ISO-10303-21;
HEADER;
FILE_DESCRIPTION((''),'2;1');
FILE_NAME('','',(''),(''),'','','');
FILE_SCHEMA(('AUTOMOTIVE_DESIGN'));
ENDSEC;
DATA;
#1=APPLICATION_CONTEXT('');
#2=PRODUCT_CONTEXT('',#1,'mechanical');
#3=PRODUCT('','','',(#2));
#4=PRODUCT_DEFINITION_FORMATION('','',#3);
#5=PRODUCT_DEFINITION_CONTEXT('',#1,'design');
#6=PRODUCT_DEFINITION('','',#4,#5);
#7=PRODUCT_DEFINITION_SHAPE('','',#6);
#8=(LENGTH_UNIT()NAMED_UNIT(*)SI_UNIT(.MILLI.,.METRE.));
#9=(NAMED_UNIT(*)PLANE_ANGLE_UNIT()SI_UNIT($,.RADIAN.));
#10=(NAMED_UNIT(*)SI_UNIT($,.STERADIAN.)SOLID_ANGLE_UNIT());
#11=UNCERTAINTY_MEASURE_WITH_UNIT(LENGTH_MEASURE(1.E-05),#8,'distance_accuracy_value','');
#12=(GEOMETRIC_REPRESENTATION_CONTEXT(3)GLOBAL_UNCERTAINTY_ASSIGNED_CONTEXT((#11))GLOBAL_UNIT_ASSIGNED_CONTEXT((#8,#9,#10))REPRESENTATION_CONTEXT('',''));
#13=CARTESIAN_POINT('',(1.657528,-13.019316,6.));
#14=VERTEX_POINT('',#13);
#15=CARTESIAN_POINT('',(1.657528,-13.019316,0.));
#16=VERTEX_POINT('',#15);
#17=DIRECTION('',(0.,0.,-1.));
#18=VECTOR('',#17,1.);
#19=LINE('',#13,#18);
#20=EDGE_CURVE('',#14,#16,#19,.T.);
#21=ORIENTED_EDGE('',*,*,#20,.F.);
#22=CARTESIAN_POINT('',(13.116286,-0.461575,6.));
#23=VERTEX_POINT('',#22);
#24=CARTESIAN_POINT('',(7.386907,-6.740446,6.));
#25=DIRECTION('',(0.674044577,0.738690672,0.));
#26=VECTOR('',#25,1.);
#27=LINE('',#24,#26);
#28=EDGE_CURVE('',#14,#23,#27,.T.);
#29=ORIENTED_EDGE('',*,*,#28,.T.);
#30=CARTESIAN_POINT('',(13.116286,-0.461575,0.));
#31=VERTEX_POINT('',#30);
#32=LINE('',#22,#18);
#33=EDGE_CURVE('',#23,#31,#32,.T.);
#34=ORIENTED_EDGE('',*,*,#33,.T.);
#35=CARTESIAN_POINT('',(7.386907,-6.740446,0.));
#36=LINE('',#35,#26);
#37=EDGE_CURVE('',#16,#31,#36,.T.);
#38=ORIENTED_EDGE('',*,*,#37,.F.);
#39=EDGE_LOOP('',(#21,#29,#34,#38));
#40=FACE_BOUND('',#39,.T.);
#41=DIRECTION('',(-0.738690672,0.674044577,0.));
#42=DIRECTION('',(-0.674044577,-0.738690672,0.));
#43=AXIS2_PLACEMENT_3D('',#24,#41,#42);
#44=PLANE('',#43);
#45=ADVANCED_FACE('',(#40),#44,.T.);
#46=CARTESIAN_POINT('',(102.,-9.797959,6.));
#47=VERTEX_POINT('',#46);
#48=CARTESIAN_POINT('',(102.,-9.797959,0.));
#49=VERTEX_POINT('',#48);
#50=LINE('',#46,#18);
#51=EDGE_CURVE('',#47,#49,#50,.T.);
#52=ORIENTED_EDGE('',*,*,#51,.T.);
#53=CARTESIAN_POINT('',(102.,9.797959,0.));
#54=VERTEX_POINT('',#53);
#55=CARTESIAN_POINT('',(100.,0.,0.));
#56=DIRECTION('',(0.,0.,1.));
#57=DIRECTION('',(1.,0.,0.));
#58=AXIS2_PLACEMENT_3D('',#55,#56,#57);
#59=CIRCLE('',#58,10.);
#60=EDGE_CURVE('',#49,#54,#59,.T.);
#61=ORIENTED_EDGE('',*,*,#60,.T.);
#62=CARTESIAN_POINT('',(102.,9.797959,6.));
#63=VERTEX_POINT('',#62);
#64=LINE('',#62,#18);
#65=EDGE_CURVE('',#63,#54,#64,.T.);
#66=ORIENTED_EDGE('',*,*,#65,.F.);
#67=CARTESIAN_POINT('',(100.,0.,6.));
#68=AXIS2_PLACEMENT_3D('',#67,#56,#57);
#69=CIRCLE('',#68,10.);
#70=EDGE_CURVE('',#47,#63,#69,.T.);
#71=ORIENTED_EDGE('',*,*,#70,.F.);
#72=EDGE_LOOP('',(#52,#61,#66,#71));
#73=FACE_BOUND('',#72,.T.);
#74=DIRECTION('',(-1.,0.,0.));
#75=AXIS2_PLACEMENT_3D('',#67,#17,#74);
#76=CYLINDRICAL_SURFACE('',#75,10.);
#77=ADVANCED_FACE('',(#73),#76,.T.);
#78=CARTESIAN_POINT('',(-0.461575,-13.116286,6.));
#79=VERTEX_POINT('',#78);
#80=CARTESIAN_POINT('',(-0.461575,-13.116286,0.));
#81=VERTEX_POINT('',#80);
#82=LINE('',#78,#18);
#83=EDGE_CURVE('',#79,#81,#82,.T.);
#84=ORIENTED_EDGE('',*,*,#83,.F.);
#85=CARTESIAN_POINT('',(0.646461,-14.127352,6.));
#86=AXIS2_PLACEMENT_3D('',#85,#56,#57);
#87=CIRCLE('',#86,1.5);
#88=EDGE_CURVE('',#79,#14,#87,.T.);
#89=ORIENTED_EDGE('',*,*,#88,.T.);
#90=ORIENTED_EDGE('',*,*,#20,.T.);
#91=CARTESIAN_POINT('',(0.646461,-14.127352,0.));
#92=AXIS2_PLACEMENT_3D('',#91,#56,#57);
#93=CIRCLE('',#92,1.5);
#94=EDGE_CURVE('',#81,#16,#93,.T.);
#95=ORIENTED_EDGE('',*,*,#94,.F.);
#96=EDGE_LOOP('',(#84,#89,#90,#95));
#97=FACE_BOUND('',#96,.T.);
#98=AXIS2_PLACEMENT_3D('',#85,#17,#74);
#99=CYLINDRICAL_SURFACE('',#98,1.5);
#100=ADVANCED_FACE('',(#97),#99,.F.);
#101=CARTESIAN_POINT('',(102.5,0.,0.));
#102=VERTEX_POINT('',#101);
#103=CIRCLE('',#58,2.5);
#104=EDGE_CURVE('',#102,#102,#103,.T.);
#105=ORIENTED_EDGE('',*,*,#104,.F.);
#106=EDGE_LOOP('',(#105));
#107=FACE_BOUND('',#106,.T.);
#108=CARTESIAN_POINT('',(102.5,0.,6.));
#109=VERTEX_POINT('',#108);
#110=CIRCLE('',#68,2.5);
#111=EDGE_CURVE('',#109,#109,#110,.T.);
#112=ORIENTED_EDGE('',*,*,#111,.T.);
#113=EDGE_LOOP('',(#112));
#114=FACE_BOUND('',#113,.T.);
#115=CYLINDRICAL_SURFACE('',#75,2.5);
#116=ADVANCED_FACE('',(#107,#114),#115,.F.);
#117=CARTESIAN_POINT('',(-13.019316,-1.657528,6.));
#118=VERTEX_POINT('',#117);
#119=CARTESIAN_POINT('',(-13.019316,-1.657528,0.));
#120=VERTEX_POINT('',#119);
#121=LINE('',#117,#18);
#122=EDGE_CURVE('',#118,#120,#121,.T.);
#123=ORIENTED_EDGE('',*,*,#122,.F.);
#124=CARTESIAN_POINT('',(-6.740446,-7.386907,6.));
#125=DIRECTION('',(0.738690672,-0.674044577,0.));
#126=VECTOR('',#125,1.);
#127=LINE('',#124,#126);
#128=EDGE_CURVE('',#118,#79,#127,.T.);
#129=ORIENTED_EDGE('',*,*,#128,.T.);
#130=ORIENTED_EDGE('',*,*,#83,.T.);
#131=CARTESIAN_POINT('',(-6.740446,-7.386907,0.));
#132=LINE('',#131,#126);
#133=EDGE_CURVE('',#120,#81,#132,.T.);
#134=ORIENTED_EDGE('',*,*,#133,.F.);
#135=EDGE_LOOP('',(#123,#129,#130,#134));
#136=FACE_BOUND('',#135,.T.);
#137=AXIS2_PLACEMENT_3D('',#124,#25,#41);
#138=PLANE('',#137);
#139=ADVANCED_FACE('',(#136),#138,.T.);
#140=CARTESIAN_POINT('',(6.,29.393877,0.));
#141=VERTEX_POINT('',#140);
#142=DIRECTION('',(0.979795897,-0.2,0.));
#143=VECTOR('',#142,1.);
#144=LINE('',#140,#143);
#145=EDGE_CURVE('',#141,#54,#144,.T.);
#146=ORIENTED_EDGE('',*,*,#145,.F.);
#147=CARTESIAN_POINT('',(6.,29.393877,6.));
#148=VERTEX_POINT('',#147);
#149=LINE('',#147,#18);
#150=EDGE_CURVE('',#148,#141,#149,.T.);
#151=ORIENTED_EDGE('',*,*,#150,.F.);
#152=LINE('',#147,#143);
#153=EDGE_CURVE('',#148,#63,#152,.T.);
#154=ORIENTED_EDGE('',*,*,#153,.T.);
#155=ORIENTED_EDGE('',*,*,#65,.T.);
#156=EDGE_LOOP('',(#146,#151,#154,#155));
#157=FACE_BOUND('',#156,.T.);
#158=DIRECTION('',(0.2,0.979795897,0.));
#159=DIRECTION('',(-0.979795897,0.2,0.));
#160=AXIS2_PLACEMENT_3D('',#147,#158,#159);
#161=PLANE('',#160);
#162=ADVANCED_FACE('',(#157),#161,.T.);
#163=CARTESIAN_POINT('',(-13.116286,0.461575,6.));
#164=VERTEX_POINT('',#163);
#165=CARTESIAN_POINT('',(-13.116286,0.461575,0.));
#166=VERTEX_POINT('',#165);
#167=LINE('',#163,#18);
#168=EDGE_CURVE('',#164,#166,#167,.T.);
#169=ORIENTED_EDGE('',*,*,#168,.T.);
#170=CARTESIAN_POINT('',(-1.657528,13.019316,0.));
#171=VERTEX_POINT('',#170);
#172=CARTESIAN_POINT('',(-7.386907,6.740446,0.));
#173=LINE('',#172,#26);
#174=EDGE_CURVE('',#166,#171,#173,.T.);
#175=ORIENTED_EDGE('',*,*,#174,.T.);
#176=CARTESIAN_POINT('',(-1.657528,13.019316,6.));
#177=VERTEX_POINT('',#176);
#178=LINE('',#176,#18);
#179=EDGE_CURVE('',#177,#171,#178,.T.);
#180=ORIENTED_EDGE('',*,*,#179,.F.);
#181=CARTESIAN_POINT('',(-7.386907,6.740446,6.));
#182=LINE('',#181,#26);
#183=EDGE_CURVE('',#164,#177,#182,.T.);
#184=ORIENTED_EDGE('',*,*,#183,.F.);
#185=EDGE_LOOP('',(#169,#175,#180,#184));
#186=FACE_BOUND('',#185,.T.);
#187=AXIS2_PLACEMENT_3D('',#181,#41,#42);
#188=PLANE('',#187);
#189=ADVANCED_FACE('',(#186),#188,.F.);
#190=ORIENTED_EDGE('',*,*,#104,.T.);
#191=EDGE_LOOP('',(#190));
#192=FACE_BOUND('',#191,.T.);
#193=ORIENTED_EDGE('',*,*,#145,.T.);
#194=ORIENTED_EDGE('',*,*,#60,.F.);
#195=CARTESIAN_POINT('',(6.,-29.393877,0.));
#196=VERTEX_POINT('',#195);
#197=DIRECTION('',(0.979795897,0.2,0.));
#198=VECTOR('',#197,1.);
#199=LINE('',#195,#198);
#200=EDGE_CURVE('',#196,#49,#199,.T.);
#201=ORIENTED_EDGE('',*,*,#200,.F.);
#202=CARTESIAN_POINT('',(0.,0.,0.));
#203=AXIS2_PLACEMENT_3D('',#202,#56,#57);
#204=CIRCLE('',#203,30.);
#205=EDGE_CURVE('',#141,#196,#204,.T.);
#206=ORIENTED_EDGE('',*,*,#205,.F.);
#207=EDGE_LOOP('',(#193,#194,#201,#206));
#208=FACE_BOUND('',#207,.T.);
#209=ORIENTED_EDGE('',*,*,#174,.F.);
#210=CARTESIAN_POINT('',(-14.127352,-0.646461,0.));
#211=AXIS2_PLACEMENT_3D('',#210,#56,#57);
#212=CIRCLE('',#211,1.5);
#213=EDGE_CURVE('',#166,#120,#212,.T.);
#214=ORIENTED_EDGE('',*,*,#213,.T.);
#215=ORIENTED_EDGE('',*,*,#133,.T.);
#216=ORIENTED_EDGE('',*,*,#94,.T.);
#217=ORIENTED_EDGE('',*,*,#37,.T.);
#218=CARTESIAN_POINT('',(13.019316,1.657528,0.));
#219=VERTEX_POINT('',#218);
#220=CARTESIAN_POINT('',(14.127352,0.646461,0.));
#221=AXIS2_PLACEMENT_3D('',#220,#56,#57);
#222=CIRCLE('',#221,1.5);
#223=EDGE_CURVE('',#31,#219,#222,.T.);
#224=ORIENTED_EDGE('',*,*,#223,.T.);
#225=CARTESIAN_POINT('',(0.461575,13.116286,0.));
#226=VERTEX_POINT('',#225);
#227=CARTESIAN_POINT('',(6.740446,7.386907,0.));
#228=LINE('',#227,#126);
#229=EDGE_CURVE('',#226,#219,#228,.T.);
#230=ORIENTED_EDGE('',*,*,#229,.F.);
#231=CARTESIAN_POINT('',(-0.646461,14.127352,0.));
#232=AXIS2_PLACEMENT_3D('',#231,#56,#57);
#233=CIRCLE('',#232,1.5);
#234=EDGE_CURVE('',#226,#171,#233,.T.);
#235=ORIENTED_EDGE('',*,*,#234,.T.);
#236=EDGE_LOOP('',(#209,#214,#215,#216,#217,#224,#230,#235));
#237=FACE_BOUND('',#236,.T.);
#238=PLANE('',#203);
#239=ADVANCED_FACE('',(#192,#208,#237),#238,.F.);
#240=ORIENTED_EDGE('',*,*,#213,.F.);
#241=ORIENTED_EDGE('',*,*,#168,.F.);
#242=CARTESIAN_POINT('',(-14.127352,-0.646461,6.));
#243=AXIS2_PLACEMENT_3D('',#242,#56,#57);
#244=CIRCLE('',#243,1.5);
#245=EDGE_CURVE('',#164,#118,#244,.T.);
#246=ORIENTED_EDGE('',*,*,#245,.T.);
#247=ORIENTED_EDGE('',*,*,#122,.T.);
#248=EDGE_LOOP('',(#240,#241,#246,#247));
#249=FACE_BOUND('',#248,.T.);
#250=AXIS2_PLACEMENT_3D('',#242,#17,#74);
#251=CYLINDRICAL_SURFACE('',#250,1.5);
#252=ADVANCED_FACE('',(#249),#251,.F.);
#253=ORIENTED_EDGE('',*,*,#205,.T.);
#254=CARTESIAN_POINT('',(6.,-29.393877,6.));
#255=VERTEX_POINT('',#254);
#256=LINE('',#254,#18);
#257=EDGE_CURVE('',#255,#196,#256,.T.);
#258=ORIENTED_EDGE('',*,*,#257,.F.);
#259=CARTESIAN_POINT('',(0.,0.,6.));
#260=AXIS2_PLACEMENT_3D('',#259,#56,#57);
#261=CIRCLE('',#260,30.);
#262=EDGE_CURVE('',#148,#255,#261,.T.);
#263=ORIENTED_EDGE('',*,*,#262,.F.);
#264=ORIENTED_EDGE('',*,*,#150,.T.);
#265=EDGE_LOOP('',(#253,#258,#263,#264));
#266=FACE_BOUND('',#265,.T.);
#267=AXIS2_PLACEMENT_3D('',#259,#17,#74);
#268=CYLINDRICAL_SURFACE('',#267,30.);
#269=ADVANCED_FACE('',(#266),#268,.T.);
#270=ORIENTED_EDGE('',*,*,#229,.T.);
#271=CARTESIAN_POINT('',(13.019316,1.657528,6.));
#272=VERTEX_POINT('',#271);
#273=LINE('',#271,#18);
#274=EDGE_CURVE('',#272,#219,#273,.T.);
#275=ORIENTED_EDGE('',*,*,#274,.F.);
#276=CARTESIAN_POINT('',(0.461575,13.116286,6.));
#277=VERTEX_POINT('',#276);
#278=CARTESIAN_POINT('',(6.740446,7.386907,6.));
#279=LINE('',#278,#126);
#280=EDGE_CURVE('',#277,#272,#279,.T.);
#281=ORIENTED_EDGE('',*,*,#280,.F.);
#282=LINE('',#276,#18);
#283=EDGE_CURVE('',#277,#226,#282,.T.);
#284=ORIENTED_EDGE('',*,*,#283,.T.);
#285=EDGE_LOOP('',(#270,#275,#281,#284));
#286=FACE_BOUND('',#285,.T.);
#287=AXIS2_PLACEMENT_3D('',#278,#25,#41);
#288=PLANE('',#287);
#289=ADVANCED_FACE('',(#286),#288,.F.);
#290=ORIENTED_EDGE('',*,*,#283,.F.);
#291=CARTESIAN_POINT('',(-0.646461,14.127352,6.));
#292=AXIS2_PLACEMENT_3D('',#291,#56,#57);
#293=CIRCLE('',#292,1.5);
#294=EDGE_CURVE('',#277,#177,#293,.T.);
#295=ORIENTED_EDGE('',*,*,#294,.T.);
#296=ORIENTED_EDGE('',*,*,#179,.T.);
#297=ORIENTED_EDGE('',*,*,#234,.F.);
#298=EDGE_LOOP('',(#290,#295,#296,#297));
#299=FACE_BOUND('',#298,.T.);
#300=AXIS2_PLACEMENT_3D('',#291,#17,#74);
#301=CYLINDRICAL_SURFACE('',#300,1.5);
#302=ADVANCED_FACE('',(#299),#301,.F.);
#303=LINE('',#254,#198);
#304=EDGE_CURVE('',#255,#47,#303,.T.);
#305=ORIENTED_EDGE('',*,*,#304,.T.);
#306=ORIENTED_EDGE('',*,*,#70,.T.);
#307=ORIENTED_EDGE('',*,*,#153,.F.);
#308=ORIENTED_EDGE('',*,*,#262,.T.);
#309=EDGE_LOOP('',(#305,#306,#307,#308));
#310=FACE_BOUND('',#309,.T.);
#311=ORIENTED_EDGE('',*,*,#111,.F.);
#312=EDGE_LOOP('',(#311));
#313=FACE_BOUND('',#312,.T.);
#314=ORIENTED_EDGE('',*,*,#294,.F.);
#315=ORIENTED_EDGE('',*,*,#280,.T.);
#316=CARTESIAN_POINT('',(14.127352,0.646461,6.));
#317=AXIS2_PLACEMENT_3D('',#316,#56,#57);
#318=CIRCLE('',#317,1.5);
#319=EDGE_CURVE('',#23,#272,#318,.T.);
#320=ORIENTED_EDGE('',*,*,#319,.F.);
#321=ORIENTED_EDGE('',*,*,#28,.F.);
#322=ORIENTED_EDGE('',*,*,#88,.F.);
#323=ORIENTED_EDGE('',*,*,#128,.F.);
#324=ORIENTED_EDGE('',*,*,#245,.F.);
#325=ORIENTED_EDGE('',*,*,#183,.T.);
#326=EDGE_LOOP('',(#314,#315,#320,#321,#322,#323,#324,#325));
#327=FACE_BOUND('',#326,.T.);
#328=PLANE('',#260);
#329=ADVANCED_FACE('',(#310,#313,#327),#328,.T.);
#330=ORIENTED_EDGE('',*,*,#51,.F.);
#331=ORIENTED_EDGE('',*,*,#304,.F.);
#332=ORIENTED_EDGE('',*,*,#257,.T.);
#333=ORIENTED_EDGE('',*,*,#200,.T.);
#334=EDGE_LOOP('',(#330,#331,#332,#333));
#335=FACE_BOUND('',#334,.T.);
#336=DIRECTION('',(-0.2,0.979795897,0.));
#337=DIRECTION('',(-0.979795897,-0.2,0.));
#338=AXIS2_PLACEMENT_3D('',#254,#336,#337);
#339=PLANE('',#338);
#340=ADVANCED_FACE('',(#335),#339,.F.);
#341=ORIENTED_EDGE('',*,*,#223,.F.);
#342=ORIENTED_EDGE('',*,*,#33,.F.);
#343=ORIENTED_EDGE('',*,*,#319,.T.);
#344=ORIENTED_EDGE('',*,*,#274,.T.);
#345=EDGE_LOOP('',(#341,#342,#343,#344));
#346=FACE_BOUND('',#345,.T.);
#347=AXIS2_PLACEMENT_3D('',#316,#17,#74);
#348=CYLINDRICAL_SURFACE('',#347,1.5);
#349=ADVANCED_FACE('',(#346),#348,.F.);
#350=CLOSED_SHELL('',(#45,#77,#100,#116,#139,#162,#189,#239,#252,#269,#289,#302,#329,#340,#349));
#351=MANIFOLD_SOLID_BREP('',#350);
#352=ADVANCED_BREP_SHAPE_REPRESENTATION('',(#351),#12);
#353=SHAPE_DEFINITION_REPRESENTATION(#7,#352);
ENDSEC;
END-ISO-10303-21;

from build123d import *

# Parameters (mm, degrees)
SKETCH_1_R      = 2.5
EXTRUDE_1_DEPTH = 6


with BuildPart() as part:
    # 草图1 → 凸台-拉伸1 (new body)
    with BuildSketch(Plane.XY):
        with BuildLine():
            ThreePointArc((6, 29.393876913), (-30, 0), (6, -29.393876913))
            Line((6, -29.393876913), (102, -9.797958971))
            ThreePointArc((102, -9.797958971), (110, 0), (102, 9.797958971))
            Line((102, 9.797958971), (6, 29.393876913))
        make_face()
        with BuildLine():
            ThreePointArc((-13.019316478, -1.657527811), (-15.625784497, -0.715028484), (-13.11628562, 0.461575061))
            Line((-13.11628562, 0.461575061), (-1.657527811, 13.019316478))
            ThreePointArc((-1.657527811, 13.019316478), (-1.252018417, 15.499686318), (0.853539054, 14.127352485))
            ThreePointArc((0.853539054, 14.127352485), (0.752119408, 13.58515972), (0.461575061, 13.11628562))
            Line((0.461575061, 13.11628562), (13.019316478, 1.657527811))
            ThreePointArc((13.019316478, 1.657527811), (14.66954525, 2.0450413), (15.627352485, 0.646460946))
            ThreePointArc((15.627352485, 0.646460946), (14.732909957, -0.725872887), (13.11628562, -0.461575061))
            Line((13.11628562, -0.461575061), (1.657527811, -13.019316478))
            ThreePointArc((1.657527811, -13.019316478), (2.018794779, -13.521795014), (2.146460946, -14.127352485))
            ThreePointArc((2.146460946, -14.127352485), (0.104268181, -15.525932839), (-0.461575061, -13.11628562))
            Line((-0.461575061, -13.11628562), (-13.019316478, -1.657527811))
        make_face(mode=Mode.SUBTRACT)
        with Locations((100, 0)):
            Circle(SKETCH_1_R, mode=Mode.SUBTRACT)
    extrude(amount=EXTRUDE_1_DEPTH)


solid = part.part
